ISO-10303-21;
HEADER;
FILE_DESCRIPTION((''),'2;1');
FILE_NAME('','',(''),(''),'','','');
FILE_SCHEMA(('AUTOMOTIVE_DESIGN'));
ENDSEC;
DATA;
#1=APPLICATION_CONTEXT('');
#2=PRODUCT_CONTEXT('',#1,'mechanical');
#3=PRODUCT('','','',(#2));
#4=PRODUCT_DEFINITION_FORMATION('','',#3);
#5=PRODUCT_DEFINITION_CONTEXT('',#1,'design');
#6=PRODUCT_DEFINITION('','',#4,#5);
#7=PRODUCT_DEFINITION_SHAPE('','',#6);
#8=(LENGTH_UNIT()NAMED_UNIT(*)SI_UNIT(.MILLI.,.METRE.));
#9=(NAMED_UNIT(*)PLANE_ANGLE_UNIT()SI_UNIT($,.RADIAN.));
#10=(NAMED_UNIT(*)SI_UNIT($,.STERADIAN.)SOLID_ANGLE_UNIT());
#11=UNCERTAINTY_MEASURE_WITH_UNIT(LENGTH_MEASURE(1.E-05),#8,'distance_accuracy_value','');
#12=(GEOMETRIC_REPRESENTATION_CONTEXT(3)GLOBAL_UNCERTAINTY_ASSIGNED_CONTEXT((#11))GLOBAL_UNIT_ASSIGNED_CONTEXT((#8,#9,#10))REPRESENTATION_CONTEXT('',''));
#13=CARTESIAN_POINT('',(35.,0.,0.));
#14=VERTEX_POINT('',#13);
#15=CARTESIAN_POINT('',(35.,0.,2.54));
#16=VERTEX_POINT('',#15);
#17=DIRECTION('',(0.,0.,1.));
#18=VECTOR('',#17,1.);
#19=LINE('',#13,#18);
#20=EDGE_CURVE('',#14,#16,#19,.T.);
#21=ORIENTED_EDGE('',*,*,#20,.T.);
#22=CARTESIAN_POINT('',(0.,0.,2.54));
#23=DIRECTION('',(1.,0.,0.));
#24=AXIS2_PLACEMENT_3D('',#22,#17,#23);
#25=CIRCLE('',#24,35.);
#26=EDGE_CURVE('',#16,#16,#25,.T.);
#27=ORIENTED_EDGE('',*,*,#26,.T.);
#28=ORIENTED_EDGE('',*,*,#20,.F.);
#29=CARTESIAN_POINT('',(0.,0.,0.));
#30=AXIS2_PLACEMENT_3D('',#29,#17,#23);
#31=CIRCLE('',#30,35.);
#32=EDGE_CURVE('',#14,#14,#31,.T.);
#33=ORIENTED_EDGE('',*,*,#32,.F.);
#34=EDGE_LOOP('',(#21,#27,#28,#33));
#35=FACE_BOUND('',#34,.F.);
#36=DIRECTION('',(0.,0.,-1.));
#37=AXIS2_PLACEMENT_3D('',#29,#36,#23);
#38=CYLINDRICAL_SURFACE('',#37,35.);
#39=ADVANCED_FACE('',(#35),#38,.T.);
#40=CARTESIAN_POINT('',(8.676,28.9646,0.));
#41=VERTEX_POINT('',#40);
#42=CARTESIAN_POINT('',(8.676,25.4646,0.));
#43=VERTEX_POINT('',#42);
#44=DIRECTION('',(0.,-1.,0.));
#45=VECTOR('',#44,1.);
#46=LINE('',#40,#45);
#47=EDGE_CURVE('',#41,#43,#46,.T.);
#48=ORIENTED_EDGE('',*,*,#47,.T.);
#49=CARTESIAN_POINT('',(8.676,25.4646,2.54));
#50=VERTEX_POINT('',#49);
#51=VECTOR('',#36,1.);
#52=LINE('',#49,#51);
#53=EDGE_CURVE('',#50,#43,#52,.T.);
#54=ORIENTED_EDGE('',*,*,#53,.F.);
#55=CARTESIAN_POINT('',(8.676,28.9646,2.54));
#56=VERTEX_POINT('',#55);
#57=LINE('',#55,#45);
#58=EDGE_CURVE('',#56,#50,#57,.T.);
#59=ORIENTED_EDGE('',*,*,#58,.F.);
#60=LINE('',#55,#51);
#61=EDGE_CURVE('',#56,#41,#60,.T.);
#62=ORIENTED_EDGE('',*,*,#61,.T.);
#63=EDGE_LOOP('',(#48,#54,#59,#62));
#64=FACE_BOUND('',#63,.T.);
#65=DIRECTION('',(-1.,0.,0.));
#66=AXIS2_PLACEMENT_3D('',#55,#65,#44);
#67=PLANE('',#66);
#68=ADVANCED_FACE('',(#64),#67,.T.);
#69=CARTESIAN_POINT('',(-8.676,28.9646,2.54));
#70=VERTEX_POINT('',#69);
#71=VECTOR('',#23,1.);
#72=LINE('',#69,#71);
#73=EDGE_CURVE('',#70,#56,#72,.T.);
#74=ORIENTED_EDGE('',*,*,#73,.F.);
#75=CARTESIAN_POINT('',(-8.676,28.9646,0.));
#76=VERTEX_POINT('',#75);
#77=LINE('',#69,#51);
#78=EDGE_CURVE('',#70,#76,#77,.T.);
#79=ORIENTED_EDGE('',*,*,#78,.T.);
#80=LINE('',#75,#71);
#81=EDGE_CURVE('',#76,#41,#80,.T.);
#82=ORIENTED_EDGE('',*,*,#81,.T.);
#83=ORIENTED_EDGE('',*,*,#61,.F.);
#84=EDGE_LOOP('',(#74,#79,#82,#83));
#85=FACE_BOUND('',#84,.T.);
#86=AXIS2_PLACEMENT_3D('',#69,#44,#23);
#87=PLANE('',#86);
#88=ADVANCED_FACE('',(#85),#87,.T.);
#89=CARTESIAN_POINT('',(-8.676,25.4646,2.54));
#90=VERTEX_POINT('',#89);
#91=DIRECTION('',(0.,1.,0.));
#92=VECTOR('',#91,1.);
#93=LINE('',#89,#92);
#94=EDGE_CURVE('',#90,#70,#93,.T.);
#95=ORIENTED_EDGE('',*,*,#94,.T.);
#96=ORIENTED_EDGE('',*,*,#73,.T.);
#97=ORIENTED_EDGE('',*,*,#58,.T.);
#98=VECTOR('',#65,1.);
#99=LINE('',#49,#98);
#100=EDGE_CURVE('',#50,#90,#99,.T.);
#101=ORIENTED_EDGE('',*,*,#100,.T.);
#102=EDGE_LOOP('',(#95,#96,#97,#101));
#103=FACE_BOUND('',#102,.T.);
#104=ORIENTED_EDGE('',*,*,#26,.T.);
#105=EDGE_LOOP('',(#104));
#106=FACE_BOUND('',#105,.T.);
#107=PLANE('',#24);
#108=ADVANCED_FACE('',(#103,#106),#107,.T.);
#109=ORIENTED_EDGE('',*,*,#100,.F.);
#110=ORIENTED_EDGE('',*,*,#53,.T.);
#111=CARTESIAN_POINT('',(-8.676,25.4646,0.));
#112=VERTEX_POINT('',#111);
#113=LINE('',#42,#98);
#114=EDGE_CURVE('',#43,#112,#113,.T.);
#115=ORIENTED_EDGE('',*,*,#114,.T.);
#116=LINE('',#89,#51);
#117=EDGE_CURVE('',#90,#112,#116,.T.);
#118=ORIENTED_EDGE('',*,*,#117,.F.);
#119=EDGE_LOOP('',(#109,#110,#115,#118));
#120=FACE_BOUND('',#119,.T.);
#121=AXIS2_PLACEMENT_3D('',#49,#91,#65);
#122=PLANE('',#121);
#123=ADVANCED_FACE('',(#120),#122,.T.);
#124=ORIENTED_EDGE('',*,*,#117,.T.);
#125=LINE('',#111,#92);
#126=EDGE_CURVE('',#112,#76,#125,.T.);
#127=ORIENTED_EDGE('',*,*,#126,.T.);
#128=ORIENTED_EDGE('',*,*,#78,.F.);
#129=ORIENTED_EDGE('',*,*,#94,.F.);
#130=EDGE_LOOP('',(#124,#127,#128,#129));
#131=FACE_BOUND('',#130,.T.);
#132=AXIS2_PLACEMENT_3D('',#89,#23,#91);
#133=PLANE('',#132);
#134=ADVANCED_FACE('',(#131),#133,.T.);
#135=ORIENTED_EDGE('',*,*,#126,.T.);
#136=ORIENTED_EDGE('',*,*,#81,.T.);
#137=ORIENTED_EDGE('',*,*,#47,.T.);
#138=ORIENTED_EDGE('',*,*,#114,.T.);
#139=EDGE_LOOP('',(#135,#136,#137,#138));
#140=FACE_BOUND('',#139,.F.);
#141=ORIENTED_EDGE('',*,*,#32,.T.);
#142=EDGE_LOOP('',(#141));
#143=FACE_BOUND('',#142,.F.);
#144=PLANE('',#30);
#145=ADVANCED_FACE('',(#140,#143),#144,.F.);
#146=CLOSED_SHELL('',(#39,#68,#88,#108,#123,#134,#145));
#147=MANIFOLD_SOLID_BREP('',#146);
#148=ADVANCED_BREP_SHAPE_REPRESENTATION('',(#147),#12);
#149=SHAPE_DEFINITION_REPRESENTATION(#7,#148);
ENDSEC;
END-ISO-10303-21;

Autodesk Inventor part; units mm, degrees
ref_plane "YZ Plane" through (0, 0, 0) normal (1, 0, 0) x (0, 1, 0)
ref_plane "XZ Plane" through (0, 0, 0) normal (0, 1, 0) x (-1, 0, 0)
ref_plane "XY Plane" through (0, 0, 0) normal (0, 0, 1) x (1, 0, 0)
sketch "Sketch1" plane through (0, 0, 0) normal (0, 0, 1) x (1, 0, 0)
  circle A0 centre (0, 0) radius 35
  dimension "d0" = 70
extrude "Extrusion1" add sketch "Sketch1" along normal blind 2.54
sketch "Sketch2" plane through (0, 0, 2.54) normal (0, 0, 1) x (1, 0, 0)
  line L0 (0, 0) -> (0, 34.7042) construction
  line L1 (-8.676, 28.9646) -> (8.676, 28.9646)
  line L2 (8.676, 28.9646) -> (8.676, 25.4646)
  line L3 (8.676, 25.4646) -> (-8.676, 25.4646)
  line L4 (-8.676, 25.4646) -> (-8.676, 28.9646)
  line L5 (-8.676, 28.9646) -> (8.676, 25.4646) construction
  line L6 (8.676, 28.9646) -> (-8.676, 25.4646) construction
  point P0 (0, 27.2146)
  dimension "d3" = 17.3521
  dimension "d4" = 3.5
extrude "Extrusion2" cut sketch "Sketch2" against normal blind 2.54
sketch "Sketch3" plane through (0, 0, 2.54) normal (0, 0, 1) x (1, 0, 0)
  point P0 (0, 0)
properties part number "Light Ring Mount"
